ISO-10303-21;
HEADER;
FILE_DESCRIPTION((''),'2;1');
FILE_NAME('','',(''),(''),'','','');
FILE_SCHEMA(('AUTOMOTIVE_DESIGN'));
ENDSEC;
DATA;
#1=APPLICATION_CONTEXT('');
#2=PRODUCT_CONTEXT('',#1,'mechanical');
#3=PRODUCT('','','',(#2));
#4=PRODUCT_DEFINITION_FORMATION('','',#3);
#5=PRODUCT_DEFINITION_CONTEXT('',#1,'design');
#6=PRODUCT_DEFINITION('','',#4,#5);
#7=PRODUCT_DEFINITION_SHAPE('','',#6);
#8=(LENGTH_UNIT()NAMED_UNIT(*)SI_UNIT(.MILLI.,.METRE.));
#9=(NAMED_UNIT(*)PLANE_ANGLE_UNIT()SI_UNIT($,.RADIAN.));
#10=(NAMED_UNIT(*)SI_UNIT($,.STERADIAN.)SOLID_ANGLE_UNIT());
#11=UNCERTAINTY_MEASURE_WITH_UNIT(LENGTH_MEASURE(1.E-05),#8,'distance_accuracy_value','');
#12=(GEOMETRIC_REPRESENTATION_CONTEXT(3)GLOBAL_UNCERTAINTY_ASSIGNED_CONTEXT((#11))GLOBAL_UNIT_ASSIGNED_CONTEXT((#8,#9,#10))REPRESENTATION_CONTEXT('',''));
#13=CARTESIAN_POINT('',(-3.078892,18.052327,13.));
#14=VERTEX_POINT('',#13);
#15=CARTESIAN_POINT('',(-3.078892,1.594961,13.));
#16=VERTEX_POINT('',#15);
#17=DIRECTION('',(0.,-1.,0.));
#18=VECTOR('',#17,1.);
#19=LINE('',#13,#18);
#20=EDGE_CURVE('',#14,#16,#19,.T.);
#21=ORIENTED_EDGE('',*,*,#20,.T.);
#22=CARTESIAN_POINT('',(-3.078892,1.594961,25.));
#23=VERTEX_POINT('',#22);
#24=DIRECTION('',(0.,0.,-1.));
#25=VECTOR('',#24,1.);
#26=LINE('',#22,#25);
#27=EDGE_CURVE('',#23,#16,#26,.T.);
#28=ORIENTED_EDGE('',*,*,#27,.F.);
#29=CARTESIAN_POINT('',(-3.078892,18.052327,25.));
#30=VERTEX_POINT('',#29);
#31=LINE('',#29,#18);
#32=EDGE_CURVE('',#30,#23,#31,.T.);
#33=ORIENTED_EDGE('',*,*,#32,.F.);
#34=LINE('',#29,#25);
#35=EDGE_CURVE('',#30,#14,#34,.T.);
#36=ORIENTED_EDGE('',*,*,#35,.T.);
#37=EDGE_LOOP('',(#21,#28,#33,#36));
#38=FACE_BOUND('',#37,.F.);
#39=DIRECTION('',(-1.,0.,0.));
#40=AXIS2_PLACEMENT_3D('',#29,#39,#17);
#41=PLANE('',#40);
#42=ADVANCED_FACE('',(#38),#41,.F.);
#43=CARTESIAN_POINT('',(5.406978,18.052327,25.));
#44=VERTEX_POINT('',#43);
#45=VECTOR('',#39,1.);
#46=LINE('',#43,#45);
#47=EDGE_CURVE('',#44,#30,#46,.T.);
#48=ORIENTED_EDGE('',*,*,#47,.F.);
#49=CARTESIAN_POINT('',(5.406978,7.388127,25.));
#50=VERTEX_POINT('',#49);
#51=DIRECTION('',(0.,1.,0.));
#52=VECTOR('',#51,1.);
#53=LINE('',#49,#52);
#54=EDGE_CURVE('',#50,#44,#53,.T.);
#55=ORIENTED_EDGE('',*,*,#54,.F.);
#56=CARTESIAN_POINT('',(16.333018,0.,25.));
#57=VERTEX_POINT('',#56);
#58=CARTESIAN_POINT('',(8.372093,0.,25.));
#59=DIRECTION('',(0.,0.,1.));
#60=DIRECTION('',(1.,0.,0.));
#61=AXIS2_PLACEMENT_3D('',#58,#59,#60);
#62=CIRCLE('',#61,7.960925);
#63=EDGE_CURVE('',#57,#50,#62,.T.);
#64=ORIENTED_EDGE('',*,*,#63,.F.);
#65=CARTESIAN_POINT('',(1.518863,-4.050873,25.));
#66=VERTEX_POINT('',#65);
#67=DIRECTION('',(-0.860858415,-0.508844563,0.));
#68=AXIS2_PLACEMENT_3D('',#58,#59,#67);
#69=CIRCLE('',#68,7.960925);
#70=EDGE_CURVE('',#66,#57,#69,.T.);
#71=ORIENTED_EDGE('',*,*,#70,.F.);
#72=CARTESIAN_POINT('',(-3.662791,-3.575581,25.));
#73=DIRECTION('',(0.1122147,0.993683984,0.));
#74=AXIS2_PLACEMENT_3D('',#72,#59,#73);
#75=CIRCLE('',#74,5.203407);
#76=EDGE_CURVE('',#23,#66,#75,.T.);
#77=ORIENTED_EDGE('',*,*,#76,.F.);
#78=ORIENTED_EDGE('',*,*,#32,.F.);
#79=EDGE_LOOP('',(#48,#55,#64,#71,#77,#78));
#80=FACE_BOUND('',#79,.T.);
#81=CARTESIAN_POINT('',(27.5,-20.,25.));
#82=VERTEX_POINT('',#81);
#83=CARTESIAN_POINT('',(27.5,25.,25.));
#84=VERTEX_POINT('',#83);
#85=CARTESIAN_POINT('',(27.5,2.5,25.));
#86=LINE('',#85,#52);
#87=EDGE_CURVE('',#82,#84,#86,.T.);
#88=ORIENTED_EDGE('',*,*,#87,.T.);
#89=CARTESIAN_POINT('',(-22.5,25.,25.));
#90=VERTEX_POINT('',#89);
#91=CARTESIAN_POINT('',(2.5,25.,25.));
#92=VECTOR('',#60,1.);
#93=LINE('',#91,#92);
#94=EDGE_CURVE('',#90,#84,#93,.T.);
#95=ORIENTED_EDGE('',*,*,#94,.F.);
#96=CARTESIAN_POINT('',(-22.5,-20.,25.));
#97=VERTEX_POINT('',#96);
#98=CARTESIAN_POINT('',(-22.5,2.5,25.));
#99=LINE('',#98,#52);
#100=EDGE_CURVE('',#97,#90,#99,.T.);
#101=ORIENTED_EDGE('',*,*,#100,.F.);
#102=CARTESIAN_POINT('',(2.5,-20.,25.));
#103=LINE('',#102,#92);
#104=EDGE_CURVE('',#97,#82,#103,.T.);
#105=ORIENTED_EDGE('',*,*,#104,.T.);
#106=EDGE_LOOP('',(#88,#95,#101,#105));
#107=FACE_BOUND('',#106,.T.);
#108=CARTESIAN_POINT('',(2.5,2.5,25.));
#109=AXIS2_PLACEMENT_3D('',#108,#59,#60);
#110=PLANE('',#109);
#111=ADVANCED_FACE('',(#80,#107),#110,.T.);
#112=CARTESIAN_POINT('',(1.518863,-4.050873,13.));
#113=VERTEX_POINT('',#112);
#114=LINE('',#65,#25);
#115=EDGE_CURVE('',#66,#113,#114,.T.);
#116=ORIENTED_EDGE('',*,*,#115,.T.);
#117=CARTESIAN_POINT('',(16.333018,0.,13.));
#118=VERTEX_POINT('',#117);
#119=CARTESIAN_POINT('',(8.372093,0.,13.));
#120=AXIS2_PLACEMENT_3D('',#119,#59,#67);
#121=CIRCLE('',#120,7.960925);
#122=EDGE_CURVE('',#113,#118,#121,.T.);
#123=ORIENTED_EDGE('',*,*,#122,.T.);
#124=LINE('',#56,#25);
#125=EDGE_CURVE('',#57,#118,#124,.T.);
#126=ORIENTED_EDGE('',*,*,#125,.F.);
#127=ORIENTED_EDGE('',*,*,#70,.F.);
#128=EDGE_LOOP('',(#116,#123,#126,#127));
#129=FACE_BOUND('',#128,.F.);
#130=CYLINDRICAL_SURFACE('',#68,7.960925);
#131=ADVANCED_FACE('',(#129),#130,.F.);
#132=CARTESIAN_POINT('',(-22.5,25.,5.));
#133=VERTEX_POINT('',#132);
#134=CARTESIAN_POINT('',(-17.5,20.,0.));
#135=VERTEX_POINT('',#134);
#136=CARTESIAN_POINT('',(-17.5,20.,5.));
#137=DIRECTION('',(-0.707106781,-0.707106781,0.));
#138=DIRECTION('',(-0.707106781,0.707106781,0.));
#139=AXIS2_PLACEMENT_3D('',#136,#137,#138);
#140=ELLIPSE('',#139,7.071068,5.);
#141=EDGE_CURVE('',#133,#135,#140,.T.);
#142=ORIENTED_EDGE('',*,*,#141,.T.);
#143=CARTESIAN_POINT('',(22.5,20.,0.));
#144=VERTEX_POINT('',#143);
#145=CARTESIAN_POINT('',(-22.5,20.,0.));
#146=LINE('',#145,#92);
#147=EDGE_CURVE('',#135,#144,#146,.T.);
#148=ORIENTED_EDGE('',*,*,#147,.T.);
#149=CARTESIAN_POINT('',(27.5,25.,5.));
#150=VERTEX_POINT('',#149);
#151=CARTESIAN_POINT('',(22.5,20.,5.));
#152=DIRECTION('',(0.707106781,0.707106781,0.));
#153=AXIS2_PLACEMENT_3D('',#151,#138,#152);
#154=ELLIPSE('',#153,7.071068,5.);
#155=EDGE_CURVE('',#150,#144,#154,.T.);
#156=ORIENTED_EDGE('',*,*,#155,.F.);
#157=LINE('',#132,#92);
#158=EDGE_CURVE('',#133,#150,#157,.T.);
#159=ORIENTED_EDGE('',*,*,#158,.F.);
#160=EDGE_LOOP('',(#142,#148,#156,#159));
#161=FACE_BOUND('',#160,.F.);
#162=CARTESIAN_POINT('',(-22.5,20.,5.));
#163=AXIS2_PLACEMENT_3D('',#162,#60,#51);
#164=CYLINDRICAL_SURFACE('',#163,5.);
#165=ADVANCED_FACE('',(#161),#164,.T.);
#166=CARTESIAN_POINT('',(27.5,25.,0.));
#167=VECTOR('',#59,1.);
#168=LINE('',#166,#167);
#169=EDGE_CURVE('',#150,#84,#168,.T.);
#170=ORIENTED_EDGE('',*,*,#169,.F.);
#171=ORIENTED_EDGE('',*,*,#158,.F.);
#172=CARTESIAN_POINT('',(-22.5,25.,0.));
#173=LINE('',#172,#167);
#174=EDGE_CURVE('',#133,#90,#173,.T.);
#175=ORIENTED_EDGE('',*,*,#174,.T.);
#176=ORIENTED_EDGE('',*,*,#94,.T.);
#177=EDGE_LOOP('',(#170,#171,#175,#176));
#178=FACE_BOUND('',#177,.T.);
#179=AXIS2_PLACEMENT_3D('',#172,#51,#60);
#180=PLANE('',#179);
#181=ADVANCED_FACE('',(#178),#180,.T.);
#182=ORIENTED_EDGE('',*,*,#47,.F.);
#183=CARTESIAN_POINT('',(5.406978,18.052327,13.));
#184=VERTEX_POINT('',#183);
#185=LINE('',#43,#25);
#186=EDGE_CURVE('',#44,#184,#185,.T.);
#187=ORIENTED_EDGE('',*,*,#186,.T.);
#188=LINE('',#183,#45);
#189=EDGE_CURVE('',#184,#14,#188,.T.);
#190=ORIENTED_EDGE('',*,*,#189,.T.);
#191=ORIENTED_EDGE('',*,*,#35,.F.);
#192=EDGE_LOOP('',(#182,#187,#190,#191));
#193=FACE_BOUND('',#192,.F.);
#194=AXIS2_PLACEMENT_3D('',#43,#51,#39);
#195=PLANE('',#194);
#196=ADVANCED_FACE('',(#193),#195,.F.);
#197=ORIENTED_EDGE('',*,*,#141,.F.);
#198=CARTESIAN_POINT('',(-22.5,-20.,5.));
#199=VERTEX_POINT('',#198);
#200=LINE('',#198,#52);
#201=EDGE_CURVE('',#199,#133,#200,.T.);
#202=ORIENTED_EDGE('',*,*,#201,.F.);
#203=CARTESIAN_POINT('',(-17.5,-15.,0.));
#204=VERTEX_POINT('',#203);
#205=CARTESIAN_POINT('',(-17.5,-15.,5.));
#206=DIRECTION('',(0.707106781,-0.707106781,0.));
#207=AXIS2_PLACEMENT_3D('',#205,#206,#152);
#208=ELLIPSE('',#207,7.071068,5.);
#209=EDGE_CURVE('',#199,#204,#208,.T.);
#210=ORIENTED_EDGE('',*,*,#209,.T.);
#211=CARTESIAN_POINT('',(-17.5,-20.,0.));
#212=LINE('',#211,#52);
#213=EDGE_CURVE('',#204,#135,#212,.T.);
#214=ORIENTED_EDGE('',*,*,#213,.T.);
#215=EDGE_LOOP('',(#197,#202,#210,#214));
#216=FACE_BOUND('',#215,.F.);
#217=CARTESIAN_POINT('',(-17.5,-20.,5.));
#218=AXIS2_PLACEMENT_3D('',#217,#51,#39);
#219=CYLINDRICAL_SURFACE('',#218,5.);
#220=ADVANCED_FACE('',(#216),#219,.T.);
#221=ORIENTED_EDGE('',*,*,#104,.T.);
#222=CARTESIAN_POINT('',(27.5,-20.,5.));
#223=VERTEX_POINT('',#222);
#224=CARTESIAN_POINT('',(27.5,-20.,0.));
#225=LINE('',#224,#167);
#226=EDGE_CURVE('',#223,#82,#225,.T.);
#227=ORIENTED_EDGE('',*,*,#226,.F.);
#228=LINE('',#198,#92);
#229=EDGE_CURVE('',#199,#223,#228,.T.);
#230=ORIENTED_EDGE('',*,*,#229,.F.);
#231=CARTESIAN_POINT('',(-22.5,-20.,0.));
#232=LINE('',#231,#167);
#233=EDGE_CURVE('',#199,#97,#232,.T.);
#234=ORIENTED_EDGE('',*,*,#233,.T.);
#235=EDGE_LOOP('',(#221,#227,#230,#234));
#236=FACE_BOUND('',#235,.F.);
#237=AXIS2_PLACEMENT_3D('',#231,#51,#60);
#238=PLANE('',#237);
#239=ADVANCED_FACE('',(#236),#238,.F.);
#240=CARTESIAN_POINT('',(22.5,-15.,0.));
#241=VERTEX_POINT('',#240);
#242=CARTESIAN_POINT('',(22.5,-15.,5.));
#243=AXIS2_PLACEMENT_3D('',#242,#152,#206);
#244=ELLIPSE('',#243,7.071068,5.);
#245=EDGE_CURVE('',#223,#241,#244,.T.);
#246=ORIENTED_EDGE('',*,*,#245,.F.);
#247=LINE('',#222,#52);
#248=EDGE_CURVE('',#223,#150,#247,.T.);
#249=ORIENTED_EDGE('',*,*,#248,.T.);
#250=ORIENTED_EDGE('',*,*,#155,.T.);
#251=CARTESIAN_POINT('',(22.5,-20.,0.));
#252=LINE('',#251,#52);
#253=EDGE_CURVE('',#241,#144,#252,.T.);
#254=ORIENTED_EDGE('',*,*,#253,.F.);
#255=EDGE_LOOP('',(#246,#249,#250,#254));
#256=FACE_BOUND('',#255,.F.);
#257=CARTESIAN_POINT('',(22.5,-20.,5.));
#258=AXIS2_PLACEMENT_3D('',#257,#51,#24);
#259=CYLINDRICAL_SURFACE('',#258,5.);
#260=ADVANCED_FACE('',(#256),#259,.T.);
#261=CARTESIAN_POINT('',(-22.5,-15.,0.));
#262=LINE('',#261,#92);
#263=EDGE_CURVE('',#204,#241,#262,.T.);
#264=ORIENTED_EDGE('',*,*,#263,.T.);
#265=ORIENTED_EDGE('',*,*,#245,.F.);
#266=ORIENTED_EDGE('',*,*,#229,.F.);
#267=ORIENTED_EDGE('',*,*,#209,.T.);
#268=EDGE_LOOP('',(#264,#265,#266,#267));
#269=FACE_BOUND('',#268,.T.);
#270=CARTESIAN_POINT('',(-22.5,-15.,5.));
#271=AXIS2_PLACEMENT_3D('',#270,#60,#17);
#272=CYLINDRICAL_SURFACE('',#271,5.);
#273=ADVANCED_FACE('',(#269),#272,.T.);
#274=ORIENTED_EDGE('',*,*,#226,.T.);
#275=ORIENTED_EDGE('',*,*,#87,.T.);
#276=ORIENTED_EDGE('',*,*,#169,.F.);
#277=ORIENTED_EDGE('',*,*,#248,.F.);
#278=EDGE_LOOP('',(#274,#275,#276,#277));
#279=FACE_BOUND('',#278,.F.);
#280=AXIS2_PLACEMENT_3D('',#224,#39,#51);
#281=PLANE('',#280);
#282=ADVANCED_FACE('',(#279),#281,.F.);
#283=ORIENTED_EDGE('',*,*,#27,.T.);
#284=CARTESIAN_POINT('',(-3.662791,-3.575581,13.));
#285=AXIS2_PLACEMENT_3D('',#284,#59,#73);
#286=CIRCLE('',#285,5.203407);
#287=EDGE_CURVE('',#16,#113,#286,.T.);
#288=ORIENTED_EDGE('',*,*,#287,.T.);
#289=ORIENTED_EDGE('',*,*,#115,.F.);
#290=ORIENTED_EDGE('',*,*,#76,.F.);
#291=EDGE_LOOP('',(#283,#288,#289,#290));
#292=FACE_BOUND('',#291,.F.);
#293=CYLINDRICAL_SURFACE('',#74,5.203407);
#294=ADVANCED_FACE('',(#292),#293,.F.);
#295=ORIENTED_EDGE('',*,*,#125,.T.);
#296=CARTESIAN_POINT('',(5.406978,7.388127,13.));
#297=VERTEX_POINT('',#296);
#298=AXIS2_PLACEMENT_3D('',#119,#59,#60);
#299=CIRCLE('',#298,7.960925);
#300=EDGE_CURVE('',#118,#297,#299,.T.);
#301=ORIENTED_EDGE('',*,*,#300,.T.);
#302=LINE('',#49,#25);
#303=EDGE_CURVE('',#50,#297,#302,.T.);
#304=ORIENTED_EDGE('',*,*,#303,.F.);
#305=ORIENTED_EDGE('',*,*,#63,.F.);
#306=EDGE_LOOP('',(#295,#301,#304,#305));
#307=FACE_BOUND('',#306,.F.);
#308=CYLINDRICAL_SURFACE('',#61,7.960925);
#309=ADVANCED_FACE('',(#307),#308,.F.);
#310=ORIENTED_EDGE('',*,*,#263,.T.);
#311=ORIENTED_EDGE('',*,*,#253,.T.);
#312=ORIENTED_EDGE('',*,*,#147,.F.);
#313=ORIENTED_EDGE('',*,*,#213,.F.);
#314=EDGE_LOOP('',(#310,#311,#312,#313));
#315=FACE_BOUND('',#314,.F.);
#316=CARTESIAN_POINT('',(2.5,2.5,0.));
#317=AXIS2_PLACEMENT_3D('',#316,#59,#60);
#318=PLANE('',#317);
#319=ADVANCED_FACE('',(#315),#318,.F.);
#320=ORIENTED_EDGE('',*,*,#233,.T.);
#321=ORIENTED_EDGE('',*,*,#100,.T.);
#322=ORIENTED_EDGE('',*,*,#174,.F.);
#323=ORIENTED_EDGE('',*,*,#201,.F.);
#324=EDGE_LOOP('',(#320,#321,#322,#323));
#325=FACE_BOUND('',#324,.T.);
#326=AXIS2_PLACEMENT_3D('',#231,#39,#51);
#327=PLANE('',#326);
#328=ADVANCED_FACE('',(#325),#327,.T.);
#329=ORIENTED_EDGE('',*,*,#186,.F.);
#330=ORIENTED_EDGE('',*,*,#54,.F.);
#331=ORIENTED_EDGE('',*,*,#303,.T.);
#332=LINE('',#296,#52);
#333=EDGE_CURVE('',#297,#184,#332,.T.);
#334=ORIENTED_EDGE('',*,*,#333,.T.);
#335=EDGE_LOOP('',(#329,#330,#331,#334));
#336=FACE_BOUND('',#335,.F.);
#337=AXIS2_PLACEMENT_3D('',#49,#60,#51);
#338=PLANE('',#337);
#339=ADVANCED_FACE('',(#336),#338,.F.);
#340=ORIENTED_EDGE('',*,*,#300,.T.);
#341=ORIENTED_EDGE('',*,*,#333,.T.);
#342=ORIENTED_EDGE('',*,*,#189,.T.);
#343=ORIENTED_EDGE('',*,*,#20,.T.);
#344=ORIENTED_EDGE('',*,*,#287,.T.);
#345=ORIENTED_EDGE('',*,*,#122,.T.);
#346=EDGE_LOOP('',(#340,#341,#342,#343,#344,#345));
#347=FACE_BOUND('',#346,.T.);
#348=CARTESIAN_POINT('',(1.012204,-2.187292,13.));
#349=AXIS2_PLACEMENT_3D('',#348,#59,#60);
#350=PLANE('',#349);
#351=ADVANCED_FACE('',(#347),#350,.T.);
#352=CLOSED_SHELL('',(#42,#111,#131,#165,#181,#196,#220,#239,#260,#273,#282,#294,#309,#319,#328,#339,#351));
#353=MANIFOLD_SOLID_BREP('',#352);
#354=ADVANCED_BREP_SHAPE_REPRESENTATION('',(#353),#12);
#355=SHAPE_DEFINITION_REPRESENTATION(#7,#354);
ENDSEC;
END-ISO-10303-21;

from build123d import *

# Parameters (mm, degrees)
F0_W     = 50
F0_H     = 45
F1_DEPTH = 25
F3_DEPTH = 12
F4_R     = 5


with BuildPart() as f1:
    # F0 (on Top) → F1 (new body)
    with BuildSketch(Plane.XY):
        with Locations((2.5, 2.5)):
            Rectangle(F0_W, F0_H)
    extrude(amount=F1_DEPTH)

    # F2 (on face) → F3 (cut)
    with BuildSketch(Plane.XY.offset(25)):
        with BuildLine():
            ThreePointArc((1.5188633246, -4.0508734179), (1.5351749633, -3.8134761459), (1.5406159691, -3.5755813587))
            ThreePointArc((1.5406159691, -3.5755813587), (1.2521629282, -1.8671692612), (0.4187848362, -0.3481702463))
            ThreePointArc((0.4187848362, -0.3481702463), (0.7408484381, -2.2672537264), (1.5188633246, -4.0508734179))
        make_face()
        with BuildLine():
            ThreePointArc((0.4187848362, -0.3481702463), (1.2521629282, -1.8671692612), (1.5406159691, -3.5755813587))
            ThreePointArc((1.5406159691, -3.5755813587), (1.5351749633, -3.8134761459), (1.5188633246, -4.0508734179))
            ThreePointArc((1.5188633246, -4.0508734179), (10.4718881616, -7.6790094348), (16.3330176423, 0))
            ThreePointArc((16.3330176423, 0), (12.8314237876, 6.5947473606), (5.4069776088, 7.3881269744))
            Line((5.4069776088, 7.3881269744), (5.4069776088, 1.5949606824))
            Line((5.4069776088, 1.5949606824), (0.5725780424, 1.5949606824))
            ThreePointArc((0.5725780424, 1.5949606824), (0.4359857319, 0.628119961), (0.4187848362, -0.3481702463))
        make_face()
        with BuildLine():
            ThreePointArc((1.5188633246, -4.0508734179), (0.7408484381, -2.2672537264), (0.4187848362, -0.3481702463))
            ThreePointArc((0.4187848362, -0.3481702463), (-1.1358159194, 0.9730272564), (-3.078892131, 1.5949606824))
            ThreePointArc((-3.078892131, 1.5949606824), (-7.6975474715, -6.8613357478), (1.5188633246, -4.0508734179))
        make_face()
        with BuildLine():
            ThreePointArc((-3.078892131, 1.5949606824), (-1.1358159194, 0.9730272564), (0.4187848362, -0.3481702463))
            ThreePointArc((0.4187848362, -0.3481702463), (0.4359857319, 0.628119961), (0.5725780424, 1.5949606824))
            Line((0.5725780424, 1.5949606824), (-3.078892131, 1.5949606824))
        make_face()
        with BuildLine():
            Line((-3.078892131, 18.0523265153), (-3.078892131, 1.5949606824))
            Line((-3.078892131, 1.5949606824), (0.5725780424, 1.5949606824))
            ThreePointArc((0.5725780424, 1.5949606824), (2.2598502763, 5.1006686576), (5.4069776088, 7.3881269744))
            Line((5.4069776088, 7.3881269744), (5.4069776088, 18.0523265153))
            Line((5.4069776088, 18.0523265153), (-3.078892131, 18.0523265153))
        make_face()
        with BuildLine():
            ThreePointArc((5.4069776088, 7.3881269744), (2.2598502763, 5.1006686576), (0.5725780424, 1.5949606824))
            Line((0.5725780424, 1.5949606824), (5.4069776088, 1.5949606824))
            Line((5.4069776088, 1.5949606824), (5.4069776088, 7.3881269744))
        make_face()
    extrude(amount=-F3_DEPTH, mode=Mode.SUBTRACT)

    # F4
    f4_edges = [f1.edges().sort_by_distance(p)[0] for p in [
        (-22.5, 2.5, 0),
        (2.5, 25, 0),
        (2.5, -20, 0),
        (27.5, 2.5, 0),
    ]]
    fillet(f4_edges, radius=F4_R)


solid = f1.part
